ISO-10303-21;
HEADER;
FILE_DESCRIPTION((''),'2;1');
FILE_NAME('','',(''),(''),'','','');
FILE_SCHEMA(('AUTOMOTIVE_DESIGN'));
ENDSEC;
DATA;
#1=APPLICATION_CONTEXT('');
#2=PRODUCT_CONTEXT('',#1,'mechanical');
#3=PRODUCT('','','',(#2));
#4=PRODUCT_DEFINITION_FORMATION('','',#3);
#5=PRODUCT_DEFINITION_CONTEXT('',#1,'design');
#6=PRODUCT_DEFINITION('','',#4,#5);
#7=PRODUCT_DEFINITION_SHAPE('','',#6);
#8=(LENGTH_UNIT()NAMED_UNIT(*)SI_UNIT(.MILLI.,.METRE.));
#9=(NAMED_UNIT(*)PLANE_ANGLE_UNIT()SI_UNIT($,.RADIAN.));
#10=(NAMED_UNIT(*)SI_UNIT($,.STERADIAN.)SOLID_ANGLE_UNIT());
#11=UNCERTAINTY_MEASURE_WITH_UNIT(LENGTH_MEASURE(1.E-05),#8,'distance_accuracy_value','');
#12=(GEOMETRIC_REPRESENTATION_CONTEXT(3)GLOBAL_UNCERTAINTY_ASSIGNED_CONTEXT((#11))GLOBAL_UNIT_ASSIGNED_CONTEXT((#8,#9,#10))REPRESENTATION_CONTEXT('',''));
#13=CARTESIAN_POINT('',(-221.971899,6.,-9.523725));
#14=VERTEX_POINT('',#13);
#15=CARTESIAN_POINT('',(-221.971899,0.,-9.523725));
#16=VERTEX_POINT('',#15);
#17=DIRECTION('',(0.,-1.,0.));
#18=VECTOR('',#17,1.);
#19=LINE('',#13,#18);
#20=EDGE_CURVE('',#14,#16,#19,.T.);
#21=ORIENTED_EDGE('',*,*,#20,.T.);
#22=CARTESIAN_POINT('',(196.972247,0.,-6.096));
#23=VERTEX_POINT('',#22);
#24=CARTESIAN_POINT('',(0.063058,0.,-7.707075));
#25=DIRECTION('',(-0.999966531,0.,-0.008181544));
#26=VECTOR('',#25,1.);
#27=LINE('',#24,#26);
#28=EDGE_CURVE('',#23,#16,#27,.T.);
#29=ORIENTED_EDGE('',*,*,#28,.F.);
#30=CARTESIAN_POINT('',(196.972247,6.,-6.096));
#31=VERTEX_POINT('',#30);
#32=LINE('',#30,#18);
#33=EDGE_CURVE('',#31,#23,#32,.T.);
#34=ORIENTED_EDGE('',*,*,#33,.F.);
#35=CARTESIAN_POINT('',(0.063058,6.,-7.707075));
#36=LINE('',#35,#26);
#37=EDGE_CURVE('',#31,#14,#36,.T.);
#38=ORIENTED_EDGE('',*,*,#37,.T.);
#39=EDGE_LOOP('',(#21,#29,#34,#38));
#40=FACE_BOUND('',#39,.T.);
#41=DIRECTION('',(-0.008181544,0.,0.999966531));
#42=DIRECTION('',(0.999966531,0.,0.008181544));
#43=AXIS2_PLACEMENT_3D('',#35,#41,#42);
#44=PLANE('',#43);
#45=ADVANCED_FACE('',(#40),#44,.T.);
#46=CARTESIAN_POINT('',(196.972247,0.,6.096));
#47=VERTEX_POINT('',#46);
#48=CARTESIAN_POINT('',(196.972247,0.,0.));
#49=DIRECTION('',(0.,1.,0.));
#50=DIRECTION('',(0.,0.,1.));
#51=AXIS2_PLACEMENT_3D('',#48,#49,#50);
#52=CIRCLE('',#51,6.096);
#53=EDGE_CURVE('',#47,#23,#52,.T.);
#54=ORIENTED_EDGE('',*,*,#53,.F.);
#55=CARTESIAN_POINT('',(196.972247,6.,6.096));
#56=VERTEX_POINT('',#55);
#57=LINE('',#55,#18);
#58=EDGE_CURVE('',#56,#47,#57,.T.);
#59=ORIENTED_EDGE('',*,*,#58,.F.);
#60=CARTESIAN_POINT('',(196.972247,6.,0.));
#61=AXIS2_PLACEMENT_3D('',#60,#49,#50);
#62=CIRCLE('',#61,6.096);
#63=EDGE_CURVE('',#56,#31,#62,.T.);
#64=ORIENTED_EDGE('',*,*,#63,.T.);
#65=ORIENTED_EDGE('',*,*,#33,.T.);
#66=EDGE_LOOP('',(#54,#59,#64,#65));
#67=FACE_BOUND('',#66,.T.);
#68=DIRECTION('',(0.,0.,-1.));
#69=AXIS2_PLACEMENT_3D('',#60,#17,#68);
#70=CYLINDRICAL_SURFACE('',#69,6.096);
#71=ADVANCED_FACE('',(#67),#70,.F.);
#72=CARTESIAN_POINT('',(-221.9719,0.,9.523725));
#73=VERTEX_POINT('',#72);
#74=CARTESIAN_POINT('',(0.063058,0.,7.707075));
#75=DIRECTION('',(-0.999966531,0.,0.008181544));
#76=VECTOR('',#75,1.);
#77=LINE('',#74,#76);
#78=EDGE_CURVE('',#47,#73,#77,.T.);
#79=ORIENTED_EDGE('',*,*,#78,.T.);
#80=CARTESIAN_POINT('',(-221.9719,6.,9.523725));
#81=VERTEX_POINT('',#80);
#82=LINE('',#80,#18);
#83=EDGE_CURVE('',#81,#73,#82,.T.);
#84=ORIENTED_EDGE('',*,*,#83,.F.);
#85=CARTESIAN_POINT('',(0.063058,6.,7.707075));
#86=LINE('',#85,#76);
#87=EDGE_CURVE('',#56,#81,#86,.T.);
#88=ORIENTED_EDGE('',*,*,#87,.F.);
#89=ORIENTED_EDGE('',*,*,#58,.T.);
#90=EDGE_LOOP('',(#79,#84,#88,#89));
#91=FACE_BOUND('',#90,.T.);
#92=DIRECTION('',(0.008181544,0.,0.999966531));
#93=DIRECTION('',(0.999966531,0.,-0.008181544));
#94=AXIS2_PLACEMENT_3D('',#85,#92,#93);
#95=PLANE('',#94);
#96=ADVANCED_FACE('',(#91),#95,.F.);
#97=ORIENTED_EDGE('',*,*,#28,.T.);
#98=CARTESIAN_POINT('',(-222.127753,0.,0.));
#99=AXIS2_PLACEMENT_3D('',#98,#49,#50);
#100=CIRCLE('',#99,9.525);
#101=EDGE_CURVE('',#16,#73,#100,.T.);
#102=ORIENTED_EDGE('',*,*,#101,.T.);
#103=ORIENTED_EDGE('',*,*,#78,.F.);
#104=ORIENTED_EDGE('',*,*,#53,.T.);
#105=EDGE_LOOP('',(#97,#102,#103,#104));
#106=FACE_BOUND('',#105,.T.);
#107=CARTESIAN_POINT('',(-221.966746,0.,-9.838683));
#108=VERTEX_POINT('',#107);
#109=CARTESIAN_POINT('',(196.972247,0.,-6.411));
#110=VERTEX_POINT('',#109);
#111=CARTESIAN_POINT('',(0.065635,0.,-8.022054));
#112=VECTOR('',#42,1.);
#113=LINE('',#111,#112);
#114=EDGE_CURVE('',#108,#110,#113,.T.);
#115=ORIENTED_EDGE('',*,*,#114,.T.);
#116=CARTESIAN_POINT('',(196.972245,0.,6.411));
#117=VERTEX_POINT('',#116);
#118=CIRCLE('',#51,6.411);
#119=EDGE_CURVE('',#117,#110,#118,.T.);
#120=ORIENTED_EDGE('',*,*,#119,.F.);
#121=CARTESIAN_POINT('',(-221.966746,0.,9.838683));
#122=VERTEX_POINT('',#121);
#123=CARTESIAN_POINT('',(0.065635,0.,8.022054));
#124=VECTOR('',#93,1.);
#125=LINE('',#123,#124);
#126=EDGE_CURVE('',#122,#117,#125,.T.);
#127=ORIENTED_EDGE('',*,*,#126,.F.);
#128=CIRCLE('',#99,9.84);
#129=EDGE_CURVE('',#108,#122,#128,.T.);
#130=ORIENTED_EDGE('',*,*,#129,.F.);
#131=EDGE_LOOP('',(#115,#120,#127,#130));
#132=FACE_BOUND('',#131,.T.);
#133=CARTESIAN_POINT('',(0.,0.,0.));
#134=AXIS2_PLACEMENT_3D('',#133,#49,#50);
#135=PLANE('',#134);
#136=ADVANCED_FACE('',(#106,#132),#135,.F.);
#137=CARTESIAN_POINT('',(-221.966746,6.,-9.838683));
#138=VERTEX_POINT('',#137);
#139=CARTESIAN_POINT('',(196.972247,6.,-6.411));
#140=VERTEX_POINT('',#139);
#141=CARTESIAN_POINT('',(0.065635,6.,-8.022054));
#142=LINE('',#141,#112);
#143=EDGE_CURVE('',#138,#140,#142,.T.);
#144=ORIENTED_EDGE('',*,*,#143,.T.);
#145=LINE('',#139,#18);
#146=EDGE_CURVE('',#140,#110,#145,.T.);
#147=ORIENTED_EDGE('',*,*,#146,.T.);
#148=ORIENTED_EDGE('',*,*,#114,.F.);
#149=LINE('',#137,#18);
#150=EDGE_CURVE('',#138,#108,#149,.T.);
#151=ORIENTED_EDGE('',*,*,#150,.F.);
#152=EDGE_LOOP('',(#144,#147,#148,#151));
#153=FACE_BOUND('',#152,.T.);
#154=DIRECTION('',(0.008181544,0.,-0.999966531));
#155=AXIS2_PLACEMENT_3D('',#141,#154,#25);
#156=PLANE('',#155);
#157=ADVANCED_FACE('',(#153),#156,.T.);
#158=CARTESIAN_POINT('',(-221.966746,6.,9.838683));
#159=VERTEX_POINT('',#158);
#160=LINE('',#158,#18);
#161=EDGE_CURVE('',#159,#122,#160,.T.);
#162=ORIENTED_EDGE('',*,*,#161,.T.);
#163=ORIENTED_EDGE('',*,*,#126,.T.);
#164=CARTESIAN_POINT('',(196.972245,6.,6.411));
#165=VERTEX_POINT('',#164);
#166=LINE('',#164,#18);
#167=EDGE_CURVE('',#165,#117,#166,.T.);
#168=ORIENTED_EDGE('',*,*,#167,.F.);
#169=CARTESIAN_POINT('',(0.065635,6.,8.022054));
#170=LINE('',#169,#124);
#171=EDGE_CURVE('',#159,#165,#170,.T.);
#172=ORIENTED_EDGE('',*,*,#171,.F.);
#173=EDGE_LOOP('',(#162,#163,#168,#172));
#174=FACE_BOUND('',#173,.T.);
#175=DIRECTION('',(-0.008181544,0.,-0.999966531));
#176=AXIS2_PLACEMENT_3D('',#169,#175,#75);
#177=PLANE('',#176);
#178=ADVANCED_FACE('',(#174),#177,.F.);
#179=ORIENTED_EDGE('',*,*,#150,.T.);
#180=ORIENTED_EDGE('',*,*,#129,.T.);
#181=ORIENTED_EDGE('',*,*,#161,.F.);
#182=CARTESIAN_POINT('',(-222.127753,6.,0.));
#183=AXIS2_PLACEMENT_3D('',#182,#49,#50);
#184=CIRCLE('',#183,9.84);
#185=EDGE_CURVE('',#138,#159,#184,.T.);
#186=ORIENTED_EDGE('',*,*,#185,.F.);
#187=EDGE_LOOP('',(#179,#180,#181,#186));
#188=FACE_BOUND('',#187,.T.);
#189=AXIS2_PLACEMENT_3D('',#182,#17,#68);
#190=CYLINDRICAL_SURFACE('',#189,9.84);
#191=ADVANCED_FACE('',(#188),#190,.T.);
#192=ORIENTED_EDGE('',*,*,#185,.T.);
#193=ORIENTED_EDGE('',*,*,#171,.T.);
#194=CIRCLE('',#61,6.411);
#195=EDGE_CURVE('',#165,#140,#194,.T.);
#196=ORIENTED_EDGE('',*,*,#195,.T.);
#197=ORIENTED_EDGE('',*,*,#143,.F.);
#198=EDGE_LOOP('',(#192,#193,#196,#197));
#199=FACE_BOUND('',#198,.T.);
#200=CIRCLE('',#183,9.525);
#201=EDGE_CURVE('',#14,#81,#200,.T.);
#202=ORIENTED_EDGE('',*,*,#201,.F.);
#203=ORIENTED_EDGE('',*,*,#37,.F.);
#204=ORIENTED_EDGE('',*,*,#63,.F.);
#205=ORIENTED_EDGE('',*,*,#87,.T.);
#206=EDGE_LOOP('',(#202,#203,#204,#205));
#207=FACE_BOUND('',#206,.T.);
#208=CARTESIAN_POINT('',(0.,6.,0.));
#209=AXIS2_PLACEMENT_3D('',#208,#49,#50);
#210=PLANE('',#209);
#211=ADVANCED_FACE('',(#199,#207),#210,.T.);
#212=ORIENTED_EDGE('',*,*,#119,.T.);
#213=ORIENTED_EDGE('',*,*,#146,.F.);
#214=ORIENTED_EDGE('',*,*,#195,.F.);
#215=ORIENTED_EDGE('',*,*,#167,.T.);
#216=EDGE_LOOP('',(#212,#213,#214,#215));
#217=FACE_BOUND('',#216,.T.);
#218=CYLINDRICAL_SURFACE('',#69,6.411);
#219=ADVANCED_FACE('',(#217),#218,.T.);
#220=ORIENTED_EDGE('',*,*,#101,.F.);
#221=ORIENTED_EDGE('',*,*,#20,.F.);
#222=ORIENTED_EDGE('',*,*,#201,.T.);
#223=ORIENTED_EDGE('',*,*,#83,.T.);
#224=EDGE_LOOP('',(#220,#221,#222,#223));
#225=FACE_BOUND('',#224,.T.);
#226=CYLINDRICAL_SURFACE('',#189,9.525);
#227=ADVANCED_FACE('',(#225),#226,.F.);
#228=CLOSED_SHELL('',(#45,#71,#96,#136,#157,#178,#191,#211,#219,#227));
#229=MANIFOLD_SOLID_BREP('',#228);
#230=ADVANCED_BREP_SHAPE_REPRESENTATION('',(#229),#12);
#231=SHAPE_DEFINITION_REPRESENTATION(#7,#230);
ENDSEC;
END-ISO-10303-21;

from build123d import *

# Parameters (mm, degrees)
BOSS_EXTRUDE1_DEPTH = 6


with BuildPart() as part:
    # Sketch1 → Boss-Extrude1 (new body)
    with BuildSketch(Plane(origin=(0, 0, 0), x_dir=(1, 0, 0), z_dir=(0, 1, 0))):
        with BuildLine():
            Line((-221.966745805, -9.838682672), (196.972245326, -6.411000017))
            ThreePointArc((196.972245326, -6.411000017), (203.383246809, -7.33e-07), (196.972246792, 6.411000017))
            Line((196.972246792, 6.411000017), (-221.966745805, 9.838682672))
            ThreePointArc((-221.966745805, 9.838682672), (-231.967753213, 0), (-221.966745805, -9.838682672))
        make_face()
        with BuildLine():
            Line((196.972246792, -6.096), (-221.971900005, -9.523724837))
            ThreePointArc((-221.971900005, -9.523724837), (-231.652753208, 7.33e-07), (-221.971898539, 9.523724813))
            Line((-221.971898539, 9.523724813), (196.972246792, 6.096))
            ThreePointArc((196.972246792, 6.096), (203.068246792, 0), (196.972246792, -6.096))
        make_face(mode=Mode.SUBTRACT)
    extrude(amount=BOSS_EXTRUDE1_DEPTH)


solid = part.part
